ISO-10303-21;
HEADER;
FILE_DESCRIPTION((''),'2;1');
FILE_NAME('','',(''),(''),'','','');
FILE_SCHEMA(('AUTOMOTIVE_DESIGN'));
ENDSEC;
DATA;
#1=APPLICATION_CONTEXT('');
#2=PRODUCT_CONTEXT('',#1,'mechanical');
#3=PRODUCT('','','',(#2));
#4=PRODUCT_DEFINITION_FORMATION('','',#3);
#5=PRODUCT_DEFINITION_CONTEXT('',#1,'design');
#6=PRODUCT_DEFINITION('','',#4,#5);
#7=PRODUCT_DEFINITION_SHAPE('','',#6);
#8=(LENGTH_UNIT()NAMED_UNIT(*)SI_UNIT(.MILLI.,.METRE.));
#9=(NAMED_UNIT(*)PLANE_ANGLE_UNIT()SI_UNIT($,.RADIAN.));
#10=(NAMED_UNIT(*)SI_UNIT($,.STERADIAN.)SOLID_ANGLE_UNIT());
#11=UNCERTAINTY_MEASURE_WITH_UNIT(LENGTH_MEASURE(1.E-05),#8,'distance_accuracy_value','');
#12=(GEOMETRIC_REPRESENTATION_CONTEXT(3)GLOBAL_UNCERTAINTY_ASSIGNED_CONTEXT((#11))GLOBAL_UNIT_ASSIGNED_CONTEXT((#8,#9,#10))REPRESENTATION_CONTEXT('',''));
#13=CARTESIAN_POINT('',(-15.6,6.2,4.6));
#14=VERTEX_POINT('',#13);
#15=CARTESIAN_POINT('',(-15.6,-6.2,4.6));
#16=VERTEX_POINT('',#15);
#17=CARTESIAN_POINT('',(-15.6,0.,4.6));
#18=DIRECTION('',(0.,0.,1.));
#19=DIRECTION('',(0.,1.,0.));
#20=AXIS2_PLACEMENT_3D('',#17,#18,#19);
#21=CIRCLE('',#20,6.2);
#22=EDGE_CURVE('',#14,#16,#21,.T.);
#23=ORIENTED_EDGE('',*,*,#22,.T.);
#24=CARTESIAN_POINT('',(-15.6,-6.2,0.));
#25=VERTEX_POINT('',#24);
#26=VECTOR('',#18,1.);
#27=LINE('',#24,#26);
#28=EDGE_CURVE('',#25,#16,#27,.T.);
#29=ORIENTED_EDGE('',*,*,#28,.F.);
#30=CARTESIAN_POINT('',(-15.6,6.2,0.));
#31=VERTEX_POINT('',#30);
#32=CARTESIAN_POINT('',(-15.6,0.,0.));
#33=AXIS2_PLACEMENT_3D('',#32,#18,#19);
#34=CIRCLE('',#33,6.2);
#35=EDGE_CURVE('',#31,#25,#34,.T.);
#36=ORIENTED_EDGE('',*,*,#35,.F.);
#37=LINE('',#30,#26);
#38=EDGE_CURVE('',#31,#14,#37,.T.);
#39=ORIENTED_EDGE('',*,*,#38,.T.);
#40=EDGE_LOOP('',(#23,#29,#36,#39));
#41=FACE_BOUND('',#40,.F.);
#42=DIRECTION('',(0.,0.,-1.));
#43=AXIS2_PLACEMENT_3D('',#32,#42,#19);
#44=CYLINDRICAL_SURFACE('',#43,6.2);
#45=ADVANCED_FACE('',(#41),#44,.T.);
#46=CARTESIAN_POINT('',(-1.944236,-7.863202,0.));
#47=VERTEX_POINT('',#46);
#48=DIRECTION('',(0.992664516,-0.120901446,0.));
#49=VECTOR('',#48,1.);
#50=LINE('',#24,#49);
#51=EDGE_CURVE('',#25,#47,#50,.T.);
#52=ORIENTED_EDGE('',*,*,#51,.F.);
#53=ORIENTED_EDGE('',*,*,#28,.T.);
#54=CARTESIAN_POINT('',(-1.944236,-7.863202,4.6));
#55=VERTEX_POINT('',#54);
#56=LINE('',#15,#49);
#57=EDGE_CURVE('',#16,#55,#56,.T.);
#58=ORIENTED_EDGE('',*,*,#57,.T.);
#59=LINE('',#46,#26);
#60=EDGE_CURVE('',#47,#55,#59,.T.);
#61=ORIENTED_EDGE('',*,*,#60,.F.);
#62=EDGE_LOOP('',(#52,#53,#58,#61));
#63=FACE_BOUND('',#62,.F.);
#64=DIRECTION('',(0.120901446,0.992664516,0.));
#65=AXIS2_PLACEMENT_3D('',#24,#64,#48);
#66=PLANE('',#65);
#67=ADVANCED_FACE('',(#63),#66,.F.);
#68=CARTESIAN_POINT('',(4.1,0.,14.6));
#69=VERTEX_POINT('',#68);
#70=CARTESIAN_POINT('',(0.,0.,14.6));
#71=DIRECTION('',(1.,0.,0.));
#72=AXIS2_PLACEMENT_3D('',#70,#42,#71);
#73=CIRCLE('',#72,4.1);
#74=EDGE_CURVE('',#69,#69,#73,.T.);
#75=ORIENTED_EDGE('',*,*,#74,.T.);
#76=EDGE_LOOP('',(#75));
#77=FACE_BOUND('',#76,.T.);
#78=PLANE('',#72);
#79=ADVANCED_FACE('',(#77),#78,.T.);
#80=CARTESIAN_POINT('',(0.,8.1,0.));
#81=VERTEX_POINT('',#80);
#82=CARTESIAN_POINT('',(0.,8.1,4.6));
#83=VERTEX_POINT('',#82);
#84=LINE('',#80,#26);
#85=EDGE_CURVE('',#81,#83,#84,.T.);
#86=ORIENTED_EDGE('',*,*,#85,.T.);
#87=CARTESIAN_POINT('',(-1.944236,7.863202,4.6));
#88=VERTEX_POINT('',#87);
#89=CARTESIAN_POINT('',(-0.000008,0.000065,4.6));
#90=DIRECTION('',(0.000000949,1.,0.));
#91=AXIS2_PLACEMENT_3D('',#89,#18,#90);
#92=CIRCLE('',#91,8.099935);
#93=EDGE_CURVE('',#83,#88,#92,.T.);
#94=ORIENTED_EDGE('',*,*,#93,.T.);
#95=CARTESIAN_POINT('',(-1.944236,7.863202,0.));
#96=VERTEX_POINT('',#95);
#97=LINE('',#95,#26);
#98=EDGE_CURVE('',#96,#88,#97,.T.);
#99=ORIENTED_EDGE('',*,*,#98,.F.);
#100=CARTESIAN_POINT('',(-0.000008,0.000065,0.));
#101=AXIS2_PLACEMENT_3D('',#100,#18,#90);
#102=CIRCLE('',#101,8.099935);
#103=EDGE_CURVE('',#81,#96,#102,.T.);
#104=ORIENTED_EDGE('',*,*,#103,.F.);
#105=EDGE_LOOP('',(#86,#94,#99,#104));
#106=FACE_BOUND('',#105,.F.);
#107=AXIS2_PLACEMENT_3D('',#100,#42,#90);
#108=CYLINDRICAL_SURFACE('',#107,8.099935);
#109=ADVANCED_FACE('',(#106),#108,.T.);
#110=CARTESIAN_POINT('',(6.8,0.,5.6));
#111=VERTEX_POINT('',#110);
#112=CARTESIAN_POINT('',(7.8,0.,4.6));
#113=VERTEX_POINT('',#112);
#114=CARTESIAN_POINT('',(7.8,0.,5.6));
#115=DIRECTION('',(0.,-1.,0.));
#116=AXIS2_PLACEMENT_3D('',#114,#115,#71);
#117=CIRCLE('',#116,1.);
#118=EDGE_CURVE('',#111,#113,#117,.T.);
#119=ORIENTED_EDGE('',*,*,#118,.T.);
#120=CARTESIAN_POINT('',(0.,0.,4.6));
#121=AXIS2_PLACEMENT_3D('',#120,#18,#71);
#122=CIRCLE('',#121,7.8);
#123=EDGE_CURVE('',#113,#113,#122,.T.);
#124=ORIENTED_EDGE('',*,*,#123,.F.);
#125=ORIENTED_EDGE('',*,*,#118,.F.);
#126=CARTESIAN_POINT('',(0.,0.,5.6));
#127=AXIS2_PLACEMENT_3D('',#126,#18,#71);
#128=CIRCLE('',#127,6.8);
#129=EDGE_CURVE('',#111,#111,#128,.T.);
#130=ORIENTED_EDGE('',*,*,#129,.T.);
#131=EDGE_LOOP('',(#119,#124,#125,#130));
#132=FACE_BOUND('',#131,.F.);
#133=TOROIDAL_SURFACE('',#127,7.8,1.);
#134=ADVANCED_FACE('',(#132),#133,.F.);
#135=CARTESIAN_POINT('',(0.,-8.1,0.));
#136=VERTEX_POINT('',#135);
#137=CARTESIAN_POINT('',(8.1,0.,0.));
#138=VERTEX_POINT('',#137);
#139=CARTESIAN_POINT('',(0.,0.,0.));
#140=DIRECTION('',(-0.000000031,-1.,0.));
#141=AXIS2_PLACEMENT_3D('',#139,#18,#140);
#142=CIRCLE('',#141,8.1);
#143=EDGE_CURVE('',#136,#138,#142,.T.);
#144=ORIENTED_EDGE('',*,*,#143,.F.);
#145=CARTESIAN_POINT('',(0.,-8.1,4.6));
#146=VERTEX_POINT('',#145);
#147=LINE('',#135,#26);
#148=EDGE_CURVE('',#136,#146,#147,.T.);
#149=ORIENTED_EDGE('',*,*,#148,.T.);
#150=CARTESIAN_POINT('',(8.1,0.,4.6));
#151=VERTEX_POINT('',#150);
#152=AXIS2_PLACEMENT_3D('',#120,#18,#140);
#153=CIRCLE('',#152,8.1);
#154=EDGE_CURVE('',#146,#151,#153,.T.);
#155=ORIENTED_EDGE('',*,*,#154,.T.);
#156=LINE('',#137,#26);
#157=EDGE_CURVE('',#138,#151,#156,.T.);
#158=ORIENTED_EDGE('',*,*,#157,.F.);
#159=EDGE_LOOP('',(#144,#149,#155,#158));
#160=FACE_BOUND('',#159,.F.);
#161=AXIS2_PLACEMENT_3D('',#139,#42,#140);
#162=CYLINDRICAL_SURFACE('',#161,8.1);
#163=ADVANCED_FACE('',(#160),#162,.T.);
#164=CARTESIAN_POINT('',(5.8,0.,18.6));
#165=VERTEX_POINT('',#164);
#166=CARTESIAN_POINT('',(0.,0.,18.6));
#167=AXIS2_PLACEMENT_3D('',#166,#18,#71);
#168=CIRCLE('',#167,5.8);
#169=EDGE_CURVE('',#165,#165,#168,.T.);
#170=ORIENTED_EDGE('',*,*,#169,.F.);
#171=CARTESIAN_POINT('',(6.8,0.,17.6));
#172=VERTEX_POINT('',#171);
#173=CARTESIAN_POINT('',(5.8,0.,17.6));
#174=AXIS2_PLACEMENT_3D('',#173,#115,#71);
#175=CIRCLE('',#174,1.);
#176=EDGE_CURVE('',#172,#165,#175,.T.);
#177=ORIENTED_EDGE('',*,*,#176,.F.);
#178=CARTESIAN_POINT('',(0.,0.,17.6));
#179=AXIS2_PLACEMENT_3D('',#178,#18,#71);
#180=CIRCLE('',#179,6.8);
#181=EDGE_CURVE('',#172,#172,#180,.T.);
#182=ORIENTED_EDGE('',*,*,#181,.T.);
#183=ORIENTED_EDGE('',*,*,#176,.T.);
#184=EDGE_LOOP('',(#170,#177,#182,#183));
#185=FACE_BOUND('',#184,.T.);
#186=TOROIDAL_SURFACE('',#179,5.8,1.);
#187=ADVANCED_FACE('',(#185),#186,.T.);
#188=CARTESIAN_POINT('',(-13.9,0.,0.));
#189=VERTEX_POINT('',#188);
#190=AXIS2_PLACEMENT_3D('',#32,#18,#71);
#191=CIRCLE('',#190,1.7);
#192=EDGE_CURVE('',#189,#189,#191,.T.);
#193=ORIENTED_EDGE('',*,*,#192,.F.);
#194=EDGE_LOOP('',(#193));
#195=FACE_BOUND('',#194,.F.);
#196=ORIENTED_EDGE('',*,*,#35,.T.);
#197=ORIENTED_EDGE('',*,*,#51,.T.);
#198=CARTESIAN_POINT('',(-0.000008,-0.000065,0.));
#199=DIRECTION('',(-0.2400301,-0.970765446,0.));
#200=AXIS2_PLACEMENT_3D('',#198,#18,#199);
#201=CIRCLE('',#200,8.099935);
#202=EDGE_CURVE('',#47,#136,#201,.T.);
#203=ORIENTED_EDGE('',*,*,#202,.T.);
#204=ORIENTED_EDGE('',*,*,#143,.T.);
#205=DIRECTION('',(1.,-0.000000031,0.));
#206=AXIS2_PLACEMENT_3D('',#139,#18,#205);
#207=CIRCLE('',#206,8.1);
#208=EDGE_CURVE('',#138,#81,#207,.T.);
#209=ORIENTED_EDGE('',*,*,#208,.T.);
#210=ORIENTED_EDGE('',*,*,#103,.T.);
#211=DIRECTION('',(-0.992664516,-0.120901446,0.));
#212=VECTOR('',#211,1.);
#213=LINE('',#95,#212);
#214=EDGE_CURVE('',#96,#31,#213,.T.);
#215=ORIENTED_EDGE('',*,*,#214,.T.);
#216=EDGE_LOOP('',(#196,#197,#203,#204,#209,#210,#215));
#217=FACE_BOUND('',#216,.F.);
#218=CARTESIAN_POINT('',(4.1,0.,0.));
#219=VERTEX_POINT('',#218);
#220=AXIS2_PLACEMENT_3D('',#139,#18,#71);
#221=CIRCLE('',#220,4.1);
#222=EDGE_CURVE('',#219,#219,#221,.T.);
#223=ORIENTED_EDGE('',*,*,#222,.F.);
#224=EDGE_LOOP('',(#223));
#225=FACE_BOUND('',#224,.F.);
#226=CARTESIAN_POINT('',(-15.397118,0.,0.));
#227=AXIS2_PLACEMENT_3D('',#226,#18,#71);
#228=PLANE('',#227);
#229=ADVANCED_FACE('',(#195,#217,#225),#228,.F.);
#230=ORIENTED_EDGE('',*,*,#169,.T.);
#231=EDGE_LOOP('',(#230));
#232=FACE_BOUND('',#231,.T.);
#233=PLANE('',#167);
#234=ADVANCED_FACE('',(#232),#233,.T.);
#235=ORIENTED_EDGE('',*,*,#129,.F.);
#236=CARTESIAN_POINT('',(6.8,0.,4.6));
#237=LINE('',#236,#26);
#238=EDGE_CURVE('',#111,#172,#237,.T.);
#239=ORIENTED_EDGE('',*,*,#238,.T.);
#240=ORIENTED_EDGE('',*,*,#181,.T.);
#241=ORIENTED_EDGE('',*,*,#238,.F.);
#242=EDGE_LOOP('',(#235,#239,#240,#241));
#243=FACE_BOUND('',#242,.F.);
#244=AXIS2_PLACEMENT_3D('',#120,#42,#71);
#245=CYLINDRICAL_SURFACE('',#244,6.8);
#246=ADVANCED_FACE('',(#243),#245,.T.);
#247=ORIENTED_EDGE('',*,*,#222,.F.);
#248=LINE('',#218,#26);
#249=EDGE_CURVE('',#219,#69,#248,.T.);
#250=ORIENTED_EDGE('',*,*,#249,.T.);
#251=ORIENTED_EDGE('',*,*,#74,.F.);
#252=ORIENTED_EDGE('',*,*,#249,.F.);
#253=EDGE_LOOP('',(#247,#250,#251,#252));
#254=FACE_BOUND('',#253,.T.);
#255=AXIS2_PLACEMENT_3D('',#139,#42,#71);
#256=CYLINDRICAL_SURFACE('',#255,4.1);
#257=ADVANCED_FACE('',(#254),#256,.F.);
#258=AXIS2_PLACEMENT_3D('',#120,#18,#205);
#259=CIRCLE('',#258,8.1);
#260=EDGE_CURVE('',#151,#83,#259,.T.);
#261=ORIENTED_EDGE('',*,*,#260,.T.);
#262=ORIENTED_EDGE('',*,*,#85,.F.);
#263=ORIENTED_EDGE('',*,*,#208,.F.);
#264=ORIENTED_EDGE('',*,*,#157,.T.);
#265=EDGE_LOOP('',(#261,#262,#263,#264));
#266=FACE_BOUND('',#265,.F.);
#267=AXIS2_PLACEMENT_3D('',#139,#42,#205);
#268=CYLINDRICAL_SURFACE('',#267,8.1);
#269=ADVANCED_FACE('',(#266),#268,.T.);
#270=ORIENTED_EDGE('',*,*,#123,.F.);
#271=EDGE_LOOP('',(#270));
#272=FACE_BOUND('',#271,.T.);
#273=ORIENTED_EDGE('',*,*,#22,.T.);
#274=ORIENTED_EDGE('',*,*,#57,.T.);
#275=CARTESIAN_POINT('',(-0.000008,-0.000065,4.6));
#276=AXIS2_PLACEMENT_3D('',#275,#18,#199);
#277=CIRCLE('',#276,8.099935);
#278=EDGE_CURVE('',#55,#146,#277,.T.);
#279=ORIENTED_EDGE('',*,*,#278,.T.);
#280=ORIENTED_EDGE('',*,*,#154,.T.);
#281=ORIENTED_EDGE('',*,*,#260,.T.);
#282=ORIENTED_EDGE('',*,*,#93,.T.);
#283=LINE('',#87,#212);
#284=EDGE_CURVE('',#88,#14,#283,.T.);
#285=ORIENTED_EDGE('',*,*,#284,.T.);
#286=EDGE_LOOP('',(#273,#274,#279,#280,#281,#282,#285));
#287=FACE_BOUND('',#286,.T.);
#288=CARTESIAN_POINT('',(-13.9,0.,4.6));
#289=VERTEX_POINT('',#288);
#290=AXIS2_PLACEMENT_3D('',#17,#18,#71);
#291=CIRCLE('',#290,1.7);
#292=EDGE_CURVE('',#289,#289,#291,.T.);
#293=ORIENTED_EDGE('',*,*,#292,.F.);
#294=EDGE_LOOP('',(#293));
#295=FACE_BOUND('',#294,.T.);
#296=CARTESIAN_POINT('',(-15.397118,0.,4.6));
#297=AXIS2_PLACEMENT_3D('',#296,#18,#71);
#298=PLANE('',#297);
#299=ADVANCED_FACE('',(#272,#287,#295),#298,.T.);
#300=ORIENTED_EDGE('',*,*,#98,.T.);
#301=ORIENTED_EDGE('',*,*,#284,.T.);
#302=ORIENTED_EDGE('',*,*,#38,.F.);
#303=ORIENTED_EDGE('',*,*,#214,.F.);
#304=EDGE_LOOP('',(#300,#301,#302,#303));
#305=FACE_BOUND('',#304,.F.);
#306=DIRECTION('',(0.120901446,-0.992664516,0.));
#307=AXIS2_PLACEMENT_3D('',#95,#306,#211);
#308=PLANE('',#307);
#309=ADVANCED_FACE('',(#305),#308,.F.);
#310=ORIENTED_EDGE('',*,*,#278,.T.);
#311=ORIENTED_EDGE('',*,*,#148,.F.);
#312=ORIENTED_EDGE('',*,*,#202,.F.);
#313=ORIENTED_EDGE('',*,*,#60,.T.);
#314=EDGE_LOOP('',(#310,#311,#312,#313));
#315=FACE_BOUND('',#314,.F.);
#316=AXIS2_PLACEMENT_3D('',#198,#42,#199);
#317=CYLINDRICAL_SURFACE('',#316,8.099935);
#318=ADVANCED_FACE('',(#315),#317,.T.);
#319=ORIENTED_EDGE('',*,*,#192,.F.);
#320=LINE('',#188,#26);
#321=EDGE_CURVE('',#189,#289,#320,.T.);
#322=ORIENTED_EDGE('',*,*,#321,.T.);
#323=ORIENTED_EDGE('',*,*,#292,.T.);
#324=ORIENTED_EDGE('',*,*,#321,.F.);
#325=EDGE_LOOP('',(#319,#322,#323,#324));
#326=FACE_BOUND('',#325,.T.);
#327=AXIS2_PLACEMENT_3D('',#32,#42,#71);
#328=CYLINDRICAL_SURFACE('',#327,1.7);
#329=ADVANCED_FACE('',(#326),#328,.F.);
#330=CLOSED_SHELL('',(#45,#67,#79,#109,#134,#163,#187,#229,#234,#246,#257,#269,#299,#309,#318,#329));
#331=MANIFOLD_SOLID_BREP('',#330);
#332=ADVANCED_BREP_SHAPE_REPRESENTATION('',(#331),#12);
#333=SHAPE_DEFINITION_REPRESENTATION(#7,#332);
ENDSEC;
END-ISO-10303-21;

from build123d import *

# Parameters (mm, degrees)
F0_R      = 1.7
F0_R_2    = 4.1
F1_DEPTH  = 4.6
F2_R      = 6.8
F3_DEPTH  = 14
F3_FACE_R = 4.1
F4_DEPTH  = 10
F5_R      = 1


with BuildPart() as f1:
    # F0 (on Top) → F1 (new body)
    with BuildSketch(Plane.XY):
        with BuildLine():
            ThreePointArc((-15.6, -6.2), (-11.215938, -4.384062), (-9.4, 0))
            ThreePointArc((-9.4, 0), (-11.215938, 4.384062), (-15.6, 6.2))
            ThreePointArc((-15.6, 6.2), (-21.8, 0), (-15.6, -6.2))
        make_face()
        with Locations((-15.6, 0)):
            Circle(F0_R, mode=Mode.SUBTRACT)
        with BuildLine():
            ThreePointArc((-15.6, 6.2), (-11.215938, 4.384062), (-9.4, 0))
            ThreePointArc((-9.4, 0), (-11.215938, -4.384062), (-15.6, -6.2))
            Line((-15.6, -6.2), (-1.944236, -7.863202))
            ThreePointArc((-1.944236, -7.863202), (-8.1, 0), (-1.944236, 7.863202))
            Line((-1.944236, 7.863202), (-15.6, 6.2))
        make_face()
        with BuildLine():
            Line((0, 8.1), (-1.944236, 7.863202))
            ThreePointArc((-1.944236, 7.863202), (-8.1, 0), (-1.944236, -7.863202))
            Line((-1.944236, -7.863202), (0, -8.1))
            ThreePointArc((0, -8.1), (5.727565, -5.727565), (8.1, 0))
            ThreePointArc((8.1, 0), (5.727565, 5.727565), (0, 8.1))
        make_face()
        Circle(F0_R_2, mode=Mode.SUBTRACT)
        with BuildLine():
            ThreePointArc((0, 8.1), (-0.979302, 8.040583), (-1.944236, 7.863202))
            Line((-1.944236, 7.863202), (0, 8.1))
        make_face()
        with BuildLine():
            Line((0, -8.1), (-1.944236, -7.863202))
            ThreePointArc((-1.944236, -7.863202), (-0.979302, -8.040583), (0, -8.1))
        make_face()
    extrude(amount=F1_DEPTH)

    # F2 (on face) → F3 (join)
    with BuildSketch(Plane.XY.offset(4.6)):
        Circle(F2_R)
    extrude(amount=F3_DEPTH)

    # F3_face (on face) → F4 (cut)
    with BuildSketch(Plane(origin=(0, 0, 4.6), x_dir=(1, 0, 0), z_dir=(0, 0, -1))):
        Circle(F3_FACE_R)
    extrude(amount=-F4_DEPTH, mode=Mode.SUBTRACT)

    # F5
    f5_edges = [f1.edges().sort_by_distance(p)[0] for p in [
        (-6.8, 0, 4.6),
        (-6.8, 0, 18.6),
    ]]
    fillet(f5_edges, radius=F5_R)


solid = f1.part
